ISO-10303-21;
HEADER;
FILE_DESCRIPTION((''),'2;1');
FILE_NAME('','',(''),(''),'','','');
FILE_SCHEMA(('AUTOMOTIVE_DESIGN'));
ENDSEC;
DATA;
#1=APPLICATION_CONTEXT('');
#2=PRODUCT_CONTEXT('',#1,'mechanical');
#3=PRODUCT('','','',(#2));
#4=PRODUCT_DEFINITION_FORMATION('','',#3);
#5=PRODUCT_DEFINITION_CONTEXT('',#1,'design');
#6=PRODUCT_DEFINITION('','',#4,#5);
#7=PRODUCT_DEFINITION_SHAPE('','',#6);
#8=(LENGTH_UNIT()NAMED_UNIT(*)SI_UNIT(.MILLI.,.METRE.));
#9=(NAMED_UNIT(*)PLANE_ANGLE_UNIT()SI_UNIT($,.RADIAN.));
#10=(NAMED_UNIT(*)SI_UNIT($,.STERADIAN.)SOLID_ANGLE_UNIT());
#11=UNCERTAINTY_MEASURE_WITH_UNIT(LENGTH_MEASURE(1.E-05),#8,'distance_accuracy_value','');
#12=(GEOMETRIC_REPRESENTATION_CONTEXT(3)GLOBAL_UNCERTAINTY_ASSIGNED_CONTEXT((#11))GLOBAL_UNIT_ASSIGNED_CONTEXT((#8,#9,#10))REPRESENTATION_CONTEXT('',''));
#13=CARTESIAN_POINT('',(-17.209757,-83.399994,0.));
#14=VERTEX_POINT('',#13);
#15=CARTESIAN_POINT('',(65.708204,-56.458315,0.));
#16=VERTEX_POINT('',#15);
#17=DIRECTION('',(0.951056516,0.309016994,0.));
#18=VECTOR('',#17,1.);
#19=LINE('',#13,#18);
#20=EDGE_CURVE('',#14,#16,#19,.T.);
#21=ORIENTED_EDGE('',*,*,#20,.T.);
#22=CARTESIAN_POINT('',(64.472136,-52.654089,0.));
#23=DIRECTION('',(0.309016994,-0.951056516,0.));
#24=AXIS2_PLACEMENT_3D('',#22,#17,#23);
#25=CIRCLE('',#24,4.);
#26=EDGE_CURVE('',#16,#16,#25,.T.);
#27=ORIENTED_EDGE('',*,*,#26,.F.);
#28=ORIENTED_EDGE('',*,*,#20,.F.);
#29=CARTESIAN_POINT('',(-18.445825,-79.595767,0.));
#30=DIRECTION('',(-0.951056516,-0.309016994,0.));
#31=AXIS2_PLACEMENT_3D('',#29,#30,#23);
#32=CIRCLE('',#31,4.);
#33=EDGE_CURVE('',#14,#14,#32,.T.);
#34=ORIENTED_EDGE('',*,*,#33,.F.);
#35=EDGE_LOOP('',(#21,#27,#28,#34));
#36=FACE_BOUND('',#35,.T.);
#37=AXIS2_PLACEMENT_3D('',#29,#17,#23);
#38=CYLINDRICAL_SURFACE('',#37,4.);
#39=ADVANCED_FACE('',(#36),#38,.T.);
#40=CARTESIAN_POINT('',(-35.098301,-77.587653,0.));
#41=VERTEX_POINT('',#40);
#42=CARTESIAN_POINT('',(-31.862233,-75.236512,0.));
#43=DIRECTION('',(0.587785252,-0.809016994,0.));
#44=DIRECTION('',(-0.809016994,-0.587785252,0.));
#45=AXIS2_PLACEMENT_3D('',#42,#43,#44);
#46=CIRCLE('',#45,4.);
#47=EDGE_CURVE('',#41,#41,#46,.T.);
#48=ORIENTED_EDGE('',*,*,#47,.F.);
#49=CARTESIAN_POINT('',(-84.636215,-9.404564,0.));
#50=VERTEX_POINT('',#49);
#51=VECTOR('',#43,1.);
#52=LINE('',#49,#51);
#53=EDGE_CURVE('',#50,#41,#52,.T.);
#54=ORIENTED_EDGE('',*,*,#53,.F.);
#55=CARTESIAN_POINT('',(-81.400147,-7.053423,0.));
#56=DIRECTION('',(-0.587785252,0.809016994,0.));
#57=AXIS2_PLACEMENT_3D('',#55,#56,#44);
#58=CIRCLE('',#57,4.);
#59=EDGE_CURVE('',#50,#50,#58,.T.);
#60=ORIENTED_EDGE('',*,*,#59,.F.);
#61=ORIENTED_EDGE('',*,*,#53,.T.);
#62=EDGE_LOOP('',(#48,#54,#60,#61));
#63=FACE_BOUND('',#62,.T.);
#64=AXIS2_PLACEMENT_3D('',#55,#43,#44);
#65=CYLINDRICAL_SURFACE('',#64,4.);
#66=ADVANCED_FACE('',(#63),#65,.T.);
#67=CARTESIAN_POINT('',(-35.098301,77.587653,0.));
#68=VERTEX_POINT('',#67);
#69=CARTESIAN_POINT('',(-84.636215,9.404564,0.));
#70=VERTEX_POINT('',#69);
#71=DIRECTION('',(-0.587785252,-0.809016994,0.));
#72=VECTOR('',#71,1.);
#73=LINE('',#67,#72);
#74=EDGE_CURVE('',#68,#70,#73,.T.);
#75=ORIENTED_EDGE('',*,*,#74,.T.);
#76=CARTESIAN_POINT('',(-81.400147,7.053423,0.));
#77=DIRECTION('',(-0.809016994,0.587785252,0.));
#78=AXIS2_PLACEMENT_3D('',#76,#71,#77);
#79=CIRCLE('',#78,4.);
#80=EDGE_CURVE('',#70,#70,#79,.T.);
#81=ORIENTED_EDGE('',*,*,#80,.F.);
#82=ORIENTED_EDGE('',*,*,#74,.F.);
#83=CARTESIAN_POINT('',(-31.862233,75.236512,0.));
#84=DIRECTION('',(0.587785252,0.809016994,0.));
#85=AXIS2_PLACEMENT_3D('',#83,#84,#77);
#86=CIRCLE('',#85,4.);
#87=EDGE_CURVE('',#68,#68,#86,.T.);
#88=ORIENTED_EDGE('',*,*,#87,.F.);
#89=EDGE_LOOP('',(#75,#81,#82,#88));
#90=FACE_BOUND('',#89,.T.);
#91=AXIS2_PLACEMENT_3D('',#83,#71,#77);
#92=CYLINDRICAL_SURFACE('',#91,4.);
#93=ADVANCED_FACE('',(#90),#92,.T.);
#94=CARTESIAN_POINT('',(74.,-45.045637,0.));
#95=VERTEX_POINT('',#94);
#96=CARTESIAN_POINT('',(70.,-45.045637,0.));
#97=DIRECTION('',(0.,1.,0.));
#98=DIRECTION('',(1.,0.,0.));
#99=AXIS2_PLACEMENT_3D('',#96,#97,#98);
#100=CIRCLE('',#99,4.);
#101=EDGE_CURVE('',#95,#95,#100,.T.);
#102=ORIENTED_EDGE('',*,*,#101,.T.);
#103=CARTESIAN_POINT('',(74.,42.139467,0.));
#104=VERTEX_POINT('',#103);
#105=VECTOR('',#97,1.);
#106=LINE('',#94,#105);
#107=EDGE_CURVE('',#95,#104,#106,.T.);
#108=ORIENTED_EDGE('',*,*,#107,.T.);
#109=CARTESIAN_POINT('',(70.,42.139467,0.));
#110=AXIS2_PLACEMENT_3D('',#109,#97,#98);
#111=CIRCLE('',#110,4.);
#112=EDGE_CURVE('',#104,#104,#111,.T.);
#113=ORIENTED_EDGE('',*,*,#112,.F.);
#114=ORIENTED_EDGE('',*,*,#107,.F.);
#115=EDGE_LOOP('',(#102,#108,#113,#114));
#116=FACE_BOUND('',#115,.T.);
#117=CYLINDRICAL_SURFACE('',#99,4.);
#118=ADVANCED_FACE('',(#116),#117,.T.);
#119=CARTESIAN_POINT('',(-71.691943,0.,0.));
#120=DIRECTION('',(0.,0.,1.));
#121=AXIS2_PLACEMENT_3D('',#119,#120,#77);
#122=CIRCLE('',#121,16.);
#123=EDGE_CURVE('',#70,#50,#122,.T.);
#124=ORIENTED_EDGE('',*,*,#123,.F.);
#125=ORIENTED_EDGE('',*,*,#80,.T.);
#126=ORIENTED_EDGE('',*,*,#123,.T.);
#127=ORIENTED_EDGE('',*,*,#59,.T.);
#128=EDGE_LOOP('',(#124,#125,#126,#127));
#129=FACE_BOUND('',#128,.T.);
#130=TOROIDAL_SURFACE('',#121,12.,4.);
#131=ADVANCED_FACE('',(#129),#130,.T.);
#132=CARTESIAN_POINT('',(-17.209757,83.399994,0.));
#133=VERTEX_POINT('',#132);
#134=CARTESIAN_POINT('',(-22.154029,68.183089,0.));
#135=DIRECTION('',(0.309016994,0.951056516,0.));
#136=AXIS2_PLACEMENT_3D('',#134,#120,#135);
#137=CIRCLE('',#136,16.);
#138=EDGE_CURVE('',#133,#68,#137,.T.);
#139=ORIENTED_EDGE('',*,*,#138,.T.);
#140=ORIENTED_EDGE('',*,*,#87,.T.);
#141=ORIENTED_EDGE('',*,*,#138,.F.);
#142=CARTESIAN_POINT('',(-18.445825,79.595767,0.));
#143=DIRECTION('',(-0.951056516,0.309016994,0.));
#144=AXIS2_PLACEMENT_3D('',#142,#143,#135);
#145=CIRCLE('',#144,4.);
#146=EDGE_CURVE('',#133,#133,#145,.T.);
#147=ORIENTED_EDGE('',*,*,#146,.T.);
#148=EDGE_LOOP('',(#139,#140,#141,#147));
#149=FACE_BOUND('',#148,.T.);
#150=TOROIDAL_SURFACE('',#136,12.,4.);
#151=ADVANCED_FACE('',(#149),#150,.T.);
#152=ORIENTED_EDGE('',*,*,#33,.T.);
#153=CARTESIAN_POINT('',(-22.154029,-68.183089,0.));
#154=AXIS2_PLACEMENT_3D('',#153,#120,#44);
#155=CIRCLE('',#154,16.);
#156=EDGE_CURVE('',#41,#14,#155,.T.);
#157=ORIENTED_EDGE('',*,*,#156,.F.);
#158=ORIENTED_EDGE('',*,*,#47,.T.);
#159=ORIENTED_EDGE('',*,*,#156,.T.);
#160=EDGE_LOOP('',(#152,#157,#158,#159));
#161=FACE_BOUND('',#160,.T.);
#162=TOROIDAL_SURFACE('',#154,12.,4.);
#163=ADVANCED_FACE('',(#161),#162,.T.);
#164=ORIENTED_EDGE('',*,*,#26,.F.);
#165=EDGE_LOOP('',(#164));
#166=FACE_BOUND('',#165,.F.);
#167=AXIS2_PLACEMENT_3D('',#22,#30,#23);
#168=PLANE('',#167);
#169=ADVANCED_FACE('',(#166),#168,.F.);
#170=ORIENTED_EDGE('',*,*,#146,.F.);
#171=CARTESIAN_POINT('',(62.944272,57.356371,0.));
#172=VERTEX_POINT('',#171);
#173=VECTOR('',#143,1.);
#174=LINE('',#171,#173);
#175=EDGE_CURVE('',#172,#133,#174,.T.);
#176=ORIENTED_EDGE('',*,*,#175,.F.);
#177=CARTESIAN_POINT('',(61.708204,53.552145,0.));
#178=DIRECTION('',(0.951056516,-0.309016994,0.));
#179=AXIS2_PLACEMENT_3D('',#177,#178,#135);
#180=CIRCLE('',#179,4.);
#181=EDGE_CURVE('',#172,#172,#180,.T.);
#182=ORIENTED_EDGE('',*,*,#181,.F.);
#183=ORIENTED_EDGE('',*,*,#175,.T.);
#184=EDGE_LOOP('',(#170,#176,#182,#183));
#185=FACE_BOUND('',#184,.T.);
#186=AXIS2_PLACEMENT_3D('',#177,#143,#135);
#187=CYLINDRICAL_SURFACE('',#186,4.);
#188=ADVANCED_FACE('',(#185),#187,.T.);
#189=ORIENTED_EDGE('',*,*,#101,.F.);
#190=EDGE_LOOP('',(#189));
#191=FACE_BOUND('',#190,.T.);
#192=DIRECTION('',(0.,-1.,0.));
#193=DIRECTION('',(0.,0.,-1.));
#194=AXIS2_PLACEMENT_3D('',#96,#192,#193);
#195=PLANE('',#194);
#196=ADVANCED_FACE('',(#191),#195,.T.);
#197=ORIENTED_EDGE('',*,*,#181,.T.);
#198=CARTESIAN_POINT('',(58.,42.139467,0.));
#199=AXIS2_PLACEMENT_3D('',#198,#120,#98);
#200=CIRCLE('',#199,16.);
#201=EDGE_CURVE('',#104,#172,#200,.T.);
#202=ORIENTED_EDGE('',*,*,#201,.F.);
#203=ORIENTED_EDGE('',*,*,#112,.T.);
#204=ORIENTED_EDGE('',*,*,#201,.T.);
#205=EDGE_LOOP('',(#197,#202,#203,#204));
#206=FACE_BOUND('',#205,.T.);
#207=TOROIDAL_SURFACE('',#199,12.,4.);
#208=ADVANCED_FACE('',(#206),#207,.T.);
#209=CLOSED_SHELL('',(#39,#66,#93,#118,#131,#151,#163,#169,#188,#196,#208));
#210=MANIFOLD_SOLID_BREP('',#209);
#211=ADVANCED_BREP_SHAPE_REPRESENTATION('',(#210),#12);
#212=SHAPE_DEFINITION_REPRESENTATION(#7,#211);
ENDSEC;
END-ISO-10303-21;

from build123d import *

# Parameters (mm, degrees)
F1_R = 4


with BuildPart() as f2:
    # F2: sweep along a path in F0
    with BuildLine(Plane.XY) as f2_path:
        Line((70, -45.0456367363), (70, 42.1394666243))
        ThreePointArc((70, 42.1394666243), (67.7082039325, 49.1928896518), (61.7082039325, 53.5521448199))
        Line((61.7082039325, 53.5521448199), (-18.44582472, 79.5957674615))
        ThreePointArc((-18.44582472, 79.5957674615), (-25.862232585, 79.5957674615), (-31.862232585, 75.2365122934))
        Line((-31.862232585, 75.2365122934), (-81.4001466275, 7.0534230275))
        ThreePointArc((-81.4001466275, 7.0534230275), (-83.691942695, 0), (-81.4001466275, -7.0534230275))
        Line((-81.4001466275, -7.0534230275), (-31.862232585, -75.2365122934))
        ThreePointArc((-31.862232585, -75.2365122934), (-25.862232585, -79.5957674615), (-18.44582472, -79.5957674615))
        Line((-18.44582472, -79.5957674615), (64.472135955, -52.6540888667))
    # F1 (on Front) → F2 (sweep)
    with BuildSketch(Plane.XZ):
        with Locations((70, 0)):
            Circle(F1_R)
    sweep(path=f2_path.line)


solid = f2.part
